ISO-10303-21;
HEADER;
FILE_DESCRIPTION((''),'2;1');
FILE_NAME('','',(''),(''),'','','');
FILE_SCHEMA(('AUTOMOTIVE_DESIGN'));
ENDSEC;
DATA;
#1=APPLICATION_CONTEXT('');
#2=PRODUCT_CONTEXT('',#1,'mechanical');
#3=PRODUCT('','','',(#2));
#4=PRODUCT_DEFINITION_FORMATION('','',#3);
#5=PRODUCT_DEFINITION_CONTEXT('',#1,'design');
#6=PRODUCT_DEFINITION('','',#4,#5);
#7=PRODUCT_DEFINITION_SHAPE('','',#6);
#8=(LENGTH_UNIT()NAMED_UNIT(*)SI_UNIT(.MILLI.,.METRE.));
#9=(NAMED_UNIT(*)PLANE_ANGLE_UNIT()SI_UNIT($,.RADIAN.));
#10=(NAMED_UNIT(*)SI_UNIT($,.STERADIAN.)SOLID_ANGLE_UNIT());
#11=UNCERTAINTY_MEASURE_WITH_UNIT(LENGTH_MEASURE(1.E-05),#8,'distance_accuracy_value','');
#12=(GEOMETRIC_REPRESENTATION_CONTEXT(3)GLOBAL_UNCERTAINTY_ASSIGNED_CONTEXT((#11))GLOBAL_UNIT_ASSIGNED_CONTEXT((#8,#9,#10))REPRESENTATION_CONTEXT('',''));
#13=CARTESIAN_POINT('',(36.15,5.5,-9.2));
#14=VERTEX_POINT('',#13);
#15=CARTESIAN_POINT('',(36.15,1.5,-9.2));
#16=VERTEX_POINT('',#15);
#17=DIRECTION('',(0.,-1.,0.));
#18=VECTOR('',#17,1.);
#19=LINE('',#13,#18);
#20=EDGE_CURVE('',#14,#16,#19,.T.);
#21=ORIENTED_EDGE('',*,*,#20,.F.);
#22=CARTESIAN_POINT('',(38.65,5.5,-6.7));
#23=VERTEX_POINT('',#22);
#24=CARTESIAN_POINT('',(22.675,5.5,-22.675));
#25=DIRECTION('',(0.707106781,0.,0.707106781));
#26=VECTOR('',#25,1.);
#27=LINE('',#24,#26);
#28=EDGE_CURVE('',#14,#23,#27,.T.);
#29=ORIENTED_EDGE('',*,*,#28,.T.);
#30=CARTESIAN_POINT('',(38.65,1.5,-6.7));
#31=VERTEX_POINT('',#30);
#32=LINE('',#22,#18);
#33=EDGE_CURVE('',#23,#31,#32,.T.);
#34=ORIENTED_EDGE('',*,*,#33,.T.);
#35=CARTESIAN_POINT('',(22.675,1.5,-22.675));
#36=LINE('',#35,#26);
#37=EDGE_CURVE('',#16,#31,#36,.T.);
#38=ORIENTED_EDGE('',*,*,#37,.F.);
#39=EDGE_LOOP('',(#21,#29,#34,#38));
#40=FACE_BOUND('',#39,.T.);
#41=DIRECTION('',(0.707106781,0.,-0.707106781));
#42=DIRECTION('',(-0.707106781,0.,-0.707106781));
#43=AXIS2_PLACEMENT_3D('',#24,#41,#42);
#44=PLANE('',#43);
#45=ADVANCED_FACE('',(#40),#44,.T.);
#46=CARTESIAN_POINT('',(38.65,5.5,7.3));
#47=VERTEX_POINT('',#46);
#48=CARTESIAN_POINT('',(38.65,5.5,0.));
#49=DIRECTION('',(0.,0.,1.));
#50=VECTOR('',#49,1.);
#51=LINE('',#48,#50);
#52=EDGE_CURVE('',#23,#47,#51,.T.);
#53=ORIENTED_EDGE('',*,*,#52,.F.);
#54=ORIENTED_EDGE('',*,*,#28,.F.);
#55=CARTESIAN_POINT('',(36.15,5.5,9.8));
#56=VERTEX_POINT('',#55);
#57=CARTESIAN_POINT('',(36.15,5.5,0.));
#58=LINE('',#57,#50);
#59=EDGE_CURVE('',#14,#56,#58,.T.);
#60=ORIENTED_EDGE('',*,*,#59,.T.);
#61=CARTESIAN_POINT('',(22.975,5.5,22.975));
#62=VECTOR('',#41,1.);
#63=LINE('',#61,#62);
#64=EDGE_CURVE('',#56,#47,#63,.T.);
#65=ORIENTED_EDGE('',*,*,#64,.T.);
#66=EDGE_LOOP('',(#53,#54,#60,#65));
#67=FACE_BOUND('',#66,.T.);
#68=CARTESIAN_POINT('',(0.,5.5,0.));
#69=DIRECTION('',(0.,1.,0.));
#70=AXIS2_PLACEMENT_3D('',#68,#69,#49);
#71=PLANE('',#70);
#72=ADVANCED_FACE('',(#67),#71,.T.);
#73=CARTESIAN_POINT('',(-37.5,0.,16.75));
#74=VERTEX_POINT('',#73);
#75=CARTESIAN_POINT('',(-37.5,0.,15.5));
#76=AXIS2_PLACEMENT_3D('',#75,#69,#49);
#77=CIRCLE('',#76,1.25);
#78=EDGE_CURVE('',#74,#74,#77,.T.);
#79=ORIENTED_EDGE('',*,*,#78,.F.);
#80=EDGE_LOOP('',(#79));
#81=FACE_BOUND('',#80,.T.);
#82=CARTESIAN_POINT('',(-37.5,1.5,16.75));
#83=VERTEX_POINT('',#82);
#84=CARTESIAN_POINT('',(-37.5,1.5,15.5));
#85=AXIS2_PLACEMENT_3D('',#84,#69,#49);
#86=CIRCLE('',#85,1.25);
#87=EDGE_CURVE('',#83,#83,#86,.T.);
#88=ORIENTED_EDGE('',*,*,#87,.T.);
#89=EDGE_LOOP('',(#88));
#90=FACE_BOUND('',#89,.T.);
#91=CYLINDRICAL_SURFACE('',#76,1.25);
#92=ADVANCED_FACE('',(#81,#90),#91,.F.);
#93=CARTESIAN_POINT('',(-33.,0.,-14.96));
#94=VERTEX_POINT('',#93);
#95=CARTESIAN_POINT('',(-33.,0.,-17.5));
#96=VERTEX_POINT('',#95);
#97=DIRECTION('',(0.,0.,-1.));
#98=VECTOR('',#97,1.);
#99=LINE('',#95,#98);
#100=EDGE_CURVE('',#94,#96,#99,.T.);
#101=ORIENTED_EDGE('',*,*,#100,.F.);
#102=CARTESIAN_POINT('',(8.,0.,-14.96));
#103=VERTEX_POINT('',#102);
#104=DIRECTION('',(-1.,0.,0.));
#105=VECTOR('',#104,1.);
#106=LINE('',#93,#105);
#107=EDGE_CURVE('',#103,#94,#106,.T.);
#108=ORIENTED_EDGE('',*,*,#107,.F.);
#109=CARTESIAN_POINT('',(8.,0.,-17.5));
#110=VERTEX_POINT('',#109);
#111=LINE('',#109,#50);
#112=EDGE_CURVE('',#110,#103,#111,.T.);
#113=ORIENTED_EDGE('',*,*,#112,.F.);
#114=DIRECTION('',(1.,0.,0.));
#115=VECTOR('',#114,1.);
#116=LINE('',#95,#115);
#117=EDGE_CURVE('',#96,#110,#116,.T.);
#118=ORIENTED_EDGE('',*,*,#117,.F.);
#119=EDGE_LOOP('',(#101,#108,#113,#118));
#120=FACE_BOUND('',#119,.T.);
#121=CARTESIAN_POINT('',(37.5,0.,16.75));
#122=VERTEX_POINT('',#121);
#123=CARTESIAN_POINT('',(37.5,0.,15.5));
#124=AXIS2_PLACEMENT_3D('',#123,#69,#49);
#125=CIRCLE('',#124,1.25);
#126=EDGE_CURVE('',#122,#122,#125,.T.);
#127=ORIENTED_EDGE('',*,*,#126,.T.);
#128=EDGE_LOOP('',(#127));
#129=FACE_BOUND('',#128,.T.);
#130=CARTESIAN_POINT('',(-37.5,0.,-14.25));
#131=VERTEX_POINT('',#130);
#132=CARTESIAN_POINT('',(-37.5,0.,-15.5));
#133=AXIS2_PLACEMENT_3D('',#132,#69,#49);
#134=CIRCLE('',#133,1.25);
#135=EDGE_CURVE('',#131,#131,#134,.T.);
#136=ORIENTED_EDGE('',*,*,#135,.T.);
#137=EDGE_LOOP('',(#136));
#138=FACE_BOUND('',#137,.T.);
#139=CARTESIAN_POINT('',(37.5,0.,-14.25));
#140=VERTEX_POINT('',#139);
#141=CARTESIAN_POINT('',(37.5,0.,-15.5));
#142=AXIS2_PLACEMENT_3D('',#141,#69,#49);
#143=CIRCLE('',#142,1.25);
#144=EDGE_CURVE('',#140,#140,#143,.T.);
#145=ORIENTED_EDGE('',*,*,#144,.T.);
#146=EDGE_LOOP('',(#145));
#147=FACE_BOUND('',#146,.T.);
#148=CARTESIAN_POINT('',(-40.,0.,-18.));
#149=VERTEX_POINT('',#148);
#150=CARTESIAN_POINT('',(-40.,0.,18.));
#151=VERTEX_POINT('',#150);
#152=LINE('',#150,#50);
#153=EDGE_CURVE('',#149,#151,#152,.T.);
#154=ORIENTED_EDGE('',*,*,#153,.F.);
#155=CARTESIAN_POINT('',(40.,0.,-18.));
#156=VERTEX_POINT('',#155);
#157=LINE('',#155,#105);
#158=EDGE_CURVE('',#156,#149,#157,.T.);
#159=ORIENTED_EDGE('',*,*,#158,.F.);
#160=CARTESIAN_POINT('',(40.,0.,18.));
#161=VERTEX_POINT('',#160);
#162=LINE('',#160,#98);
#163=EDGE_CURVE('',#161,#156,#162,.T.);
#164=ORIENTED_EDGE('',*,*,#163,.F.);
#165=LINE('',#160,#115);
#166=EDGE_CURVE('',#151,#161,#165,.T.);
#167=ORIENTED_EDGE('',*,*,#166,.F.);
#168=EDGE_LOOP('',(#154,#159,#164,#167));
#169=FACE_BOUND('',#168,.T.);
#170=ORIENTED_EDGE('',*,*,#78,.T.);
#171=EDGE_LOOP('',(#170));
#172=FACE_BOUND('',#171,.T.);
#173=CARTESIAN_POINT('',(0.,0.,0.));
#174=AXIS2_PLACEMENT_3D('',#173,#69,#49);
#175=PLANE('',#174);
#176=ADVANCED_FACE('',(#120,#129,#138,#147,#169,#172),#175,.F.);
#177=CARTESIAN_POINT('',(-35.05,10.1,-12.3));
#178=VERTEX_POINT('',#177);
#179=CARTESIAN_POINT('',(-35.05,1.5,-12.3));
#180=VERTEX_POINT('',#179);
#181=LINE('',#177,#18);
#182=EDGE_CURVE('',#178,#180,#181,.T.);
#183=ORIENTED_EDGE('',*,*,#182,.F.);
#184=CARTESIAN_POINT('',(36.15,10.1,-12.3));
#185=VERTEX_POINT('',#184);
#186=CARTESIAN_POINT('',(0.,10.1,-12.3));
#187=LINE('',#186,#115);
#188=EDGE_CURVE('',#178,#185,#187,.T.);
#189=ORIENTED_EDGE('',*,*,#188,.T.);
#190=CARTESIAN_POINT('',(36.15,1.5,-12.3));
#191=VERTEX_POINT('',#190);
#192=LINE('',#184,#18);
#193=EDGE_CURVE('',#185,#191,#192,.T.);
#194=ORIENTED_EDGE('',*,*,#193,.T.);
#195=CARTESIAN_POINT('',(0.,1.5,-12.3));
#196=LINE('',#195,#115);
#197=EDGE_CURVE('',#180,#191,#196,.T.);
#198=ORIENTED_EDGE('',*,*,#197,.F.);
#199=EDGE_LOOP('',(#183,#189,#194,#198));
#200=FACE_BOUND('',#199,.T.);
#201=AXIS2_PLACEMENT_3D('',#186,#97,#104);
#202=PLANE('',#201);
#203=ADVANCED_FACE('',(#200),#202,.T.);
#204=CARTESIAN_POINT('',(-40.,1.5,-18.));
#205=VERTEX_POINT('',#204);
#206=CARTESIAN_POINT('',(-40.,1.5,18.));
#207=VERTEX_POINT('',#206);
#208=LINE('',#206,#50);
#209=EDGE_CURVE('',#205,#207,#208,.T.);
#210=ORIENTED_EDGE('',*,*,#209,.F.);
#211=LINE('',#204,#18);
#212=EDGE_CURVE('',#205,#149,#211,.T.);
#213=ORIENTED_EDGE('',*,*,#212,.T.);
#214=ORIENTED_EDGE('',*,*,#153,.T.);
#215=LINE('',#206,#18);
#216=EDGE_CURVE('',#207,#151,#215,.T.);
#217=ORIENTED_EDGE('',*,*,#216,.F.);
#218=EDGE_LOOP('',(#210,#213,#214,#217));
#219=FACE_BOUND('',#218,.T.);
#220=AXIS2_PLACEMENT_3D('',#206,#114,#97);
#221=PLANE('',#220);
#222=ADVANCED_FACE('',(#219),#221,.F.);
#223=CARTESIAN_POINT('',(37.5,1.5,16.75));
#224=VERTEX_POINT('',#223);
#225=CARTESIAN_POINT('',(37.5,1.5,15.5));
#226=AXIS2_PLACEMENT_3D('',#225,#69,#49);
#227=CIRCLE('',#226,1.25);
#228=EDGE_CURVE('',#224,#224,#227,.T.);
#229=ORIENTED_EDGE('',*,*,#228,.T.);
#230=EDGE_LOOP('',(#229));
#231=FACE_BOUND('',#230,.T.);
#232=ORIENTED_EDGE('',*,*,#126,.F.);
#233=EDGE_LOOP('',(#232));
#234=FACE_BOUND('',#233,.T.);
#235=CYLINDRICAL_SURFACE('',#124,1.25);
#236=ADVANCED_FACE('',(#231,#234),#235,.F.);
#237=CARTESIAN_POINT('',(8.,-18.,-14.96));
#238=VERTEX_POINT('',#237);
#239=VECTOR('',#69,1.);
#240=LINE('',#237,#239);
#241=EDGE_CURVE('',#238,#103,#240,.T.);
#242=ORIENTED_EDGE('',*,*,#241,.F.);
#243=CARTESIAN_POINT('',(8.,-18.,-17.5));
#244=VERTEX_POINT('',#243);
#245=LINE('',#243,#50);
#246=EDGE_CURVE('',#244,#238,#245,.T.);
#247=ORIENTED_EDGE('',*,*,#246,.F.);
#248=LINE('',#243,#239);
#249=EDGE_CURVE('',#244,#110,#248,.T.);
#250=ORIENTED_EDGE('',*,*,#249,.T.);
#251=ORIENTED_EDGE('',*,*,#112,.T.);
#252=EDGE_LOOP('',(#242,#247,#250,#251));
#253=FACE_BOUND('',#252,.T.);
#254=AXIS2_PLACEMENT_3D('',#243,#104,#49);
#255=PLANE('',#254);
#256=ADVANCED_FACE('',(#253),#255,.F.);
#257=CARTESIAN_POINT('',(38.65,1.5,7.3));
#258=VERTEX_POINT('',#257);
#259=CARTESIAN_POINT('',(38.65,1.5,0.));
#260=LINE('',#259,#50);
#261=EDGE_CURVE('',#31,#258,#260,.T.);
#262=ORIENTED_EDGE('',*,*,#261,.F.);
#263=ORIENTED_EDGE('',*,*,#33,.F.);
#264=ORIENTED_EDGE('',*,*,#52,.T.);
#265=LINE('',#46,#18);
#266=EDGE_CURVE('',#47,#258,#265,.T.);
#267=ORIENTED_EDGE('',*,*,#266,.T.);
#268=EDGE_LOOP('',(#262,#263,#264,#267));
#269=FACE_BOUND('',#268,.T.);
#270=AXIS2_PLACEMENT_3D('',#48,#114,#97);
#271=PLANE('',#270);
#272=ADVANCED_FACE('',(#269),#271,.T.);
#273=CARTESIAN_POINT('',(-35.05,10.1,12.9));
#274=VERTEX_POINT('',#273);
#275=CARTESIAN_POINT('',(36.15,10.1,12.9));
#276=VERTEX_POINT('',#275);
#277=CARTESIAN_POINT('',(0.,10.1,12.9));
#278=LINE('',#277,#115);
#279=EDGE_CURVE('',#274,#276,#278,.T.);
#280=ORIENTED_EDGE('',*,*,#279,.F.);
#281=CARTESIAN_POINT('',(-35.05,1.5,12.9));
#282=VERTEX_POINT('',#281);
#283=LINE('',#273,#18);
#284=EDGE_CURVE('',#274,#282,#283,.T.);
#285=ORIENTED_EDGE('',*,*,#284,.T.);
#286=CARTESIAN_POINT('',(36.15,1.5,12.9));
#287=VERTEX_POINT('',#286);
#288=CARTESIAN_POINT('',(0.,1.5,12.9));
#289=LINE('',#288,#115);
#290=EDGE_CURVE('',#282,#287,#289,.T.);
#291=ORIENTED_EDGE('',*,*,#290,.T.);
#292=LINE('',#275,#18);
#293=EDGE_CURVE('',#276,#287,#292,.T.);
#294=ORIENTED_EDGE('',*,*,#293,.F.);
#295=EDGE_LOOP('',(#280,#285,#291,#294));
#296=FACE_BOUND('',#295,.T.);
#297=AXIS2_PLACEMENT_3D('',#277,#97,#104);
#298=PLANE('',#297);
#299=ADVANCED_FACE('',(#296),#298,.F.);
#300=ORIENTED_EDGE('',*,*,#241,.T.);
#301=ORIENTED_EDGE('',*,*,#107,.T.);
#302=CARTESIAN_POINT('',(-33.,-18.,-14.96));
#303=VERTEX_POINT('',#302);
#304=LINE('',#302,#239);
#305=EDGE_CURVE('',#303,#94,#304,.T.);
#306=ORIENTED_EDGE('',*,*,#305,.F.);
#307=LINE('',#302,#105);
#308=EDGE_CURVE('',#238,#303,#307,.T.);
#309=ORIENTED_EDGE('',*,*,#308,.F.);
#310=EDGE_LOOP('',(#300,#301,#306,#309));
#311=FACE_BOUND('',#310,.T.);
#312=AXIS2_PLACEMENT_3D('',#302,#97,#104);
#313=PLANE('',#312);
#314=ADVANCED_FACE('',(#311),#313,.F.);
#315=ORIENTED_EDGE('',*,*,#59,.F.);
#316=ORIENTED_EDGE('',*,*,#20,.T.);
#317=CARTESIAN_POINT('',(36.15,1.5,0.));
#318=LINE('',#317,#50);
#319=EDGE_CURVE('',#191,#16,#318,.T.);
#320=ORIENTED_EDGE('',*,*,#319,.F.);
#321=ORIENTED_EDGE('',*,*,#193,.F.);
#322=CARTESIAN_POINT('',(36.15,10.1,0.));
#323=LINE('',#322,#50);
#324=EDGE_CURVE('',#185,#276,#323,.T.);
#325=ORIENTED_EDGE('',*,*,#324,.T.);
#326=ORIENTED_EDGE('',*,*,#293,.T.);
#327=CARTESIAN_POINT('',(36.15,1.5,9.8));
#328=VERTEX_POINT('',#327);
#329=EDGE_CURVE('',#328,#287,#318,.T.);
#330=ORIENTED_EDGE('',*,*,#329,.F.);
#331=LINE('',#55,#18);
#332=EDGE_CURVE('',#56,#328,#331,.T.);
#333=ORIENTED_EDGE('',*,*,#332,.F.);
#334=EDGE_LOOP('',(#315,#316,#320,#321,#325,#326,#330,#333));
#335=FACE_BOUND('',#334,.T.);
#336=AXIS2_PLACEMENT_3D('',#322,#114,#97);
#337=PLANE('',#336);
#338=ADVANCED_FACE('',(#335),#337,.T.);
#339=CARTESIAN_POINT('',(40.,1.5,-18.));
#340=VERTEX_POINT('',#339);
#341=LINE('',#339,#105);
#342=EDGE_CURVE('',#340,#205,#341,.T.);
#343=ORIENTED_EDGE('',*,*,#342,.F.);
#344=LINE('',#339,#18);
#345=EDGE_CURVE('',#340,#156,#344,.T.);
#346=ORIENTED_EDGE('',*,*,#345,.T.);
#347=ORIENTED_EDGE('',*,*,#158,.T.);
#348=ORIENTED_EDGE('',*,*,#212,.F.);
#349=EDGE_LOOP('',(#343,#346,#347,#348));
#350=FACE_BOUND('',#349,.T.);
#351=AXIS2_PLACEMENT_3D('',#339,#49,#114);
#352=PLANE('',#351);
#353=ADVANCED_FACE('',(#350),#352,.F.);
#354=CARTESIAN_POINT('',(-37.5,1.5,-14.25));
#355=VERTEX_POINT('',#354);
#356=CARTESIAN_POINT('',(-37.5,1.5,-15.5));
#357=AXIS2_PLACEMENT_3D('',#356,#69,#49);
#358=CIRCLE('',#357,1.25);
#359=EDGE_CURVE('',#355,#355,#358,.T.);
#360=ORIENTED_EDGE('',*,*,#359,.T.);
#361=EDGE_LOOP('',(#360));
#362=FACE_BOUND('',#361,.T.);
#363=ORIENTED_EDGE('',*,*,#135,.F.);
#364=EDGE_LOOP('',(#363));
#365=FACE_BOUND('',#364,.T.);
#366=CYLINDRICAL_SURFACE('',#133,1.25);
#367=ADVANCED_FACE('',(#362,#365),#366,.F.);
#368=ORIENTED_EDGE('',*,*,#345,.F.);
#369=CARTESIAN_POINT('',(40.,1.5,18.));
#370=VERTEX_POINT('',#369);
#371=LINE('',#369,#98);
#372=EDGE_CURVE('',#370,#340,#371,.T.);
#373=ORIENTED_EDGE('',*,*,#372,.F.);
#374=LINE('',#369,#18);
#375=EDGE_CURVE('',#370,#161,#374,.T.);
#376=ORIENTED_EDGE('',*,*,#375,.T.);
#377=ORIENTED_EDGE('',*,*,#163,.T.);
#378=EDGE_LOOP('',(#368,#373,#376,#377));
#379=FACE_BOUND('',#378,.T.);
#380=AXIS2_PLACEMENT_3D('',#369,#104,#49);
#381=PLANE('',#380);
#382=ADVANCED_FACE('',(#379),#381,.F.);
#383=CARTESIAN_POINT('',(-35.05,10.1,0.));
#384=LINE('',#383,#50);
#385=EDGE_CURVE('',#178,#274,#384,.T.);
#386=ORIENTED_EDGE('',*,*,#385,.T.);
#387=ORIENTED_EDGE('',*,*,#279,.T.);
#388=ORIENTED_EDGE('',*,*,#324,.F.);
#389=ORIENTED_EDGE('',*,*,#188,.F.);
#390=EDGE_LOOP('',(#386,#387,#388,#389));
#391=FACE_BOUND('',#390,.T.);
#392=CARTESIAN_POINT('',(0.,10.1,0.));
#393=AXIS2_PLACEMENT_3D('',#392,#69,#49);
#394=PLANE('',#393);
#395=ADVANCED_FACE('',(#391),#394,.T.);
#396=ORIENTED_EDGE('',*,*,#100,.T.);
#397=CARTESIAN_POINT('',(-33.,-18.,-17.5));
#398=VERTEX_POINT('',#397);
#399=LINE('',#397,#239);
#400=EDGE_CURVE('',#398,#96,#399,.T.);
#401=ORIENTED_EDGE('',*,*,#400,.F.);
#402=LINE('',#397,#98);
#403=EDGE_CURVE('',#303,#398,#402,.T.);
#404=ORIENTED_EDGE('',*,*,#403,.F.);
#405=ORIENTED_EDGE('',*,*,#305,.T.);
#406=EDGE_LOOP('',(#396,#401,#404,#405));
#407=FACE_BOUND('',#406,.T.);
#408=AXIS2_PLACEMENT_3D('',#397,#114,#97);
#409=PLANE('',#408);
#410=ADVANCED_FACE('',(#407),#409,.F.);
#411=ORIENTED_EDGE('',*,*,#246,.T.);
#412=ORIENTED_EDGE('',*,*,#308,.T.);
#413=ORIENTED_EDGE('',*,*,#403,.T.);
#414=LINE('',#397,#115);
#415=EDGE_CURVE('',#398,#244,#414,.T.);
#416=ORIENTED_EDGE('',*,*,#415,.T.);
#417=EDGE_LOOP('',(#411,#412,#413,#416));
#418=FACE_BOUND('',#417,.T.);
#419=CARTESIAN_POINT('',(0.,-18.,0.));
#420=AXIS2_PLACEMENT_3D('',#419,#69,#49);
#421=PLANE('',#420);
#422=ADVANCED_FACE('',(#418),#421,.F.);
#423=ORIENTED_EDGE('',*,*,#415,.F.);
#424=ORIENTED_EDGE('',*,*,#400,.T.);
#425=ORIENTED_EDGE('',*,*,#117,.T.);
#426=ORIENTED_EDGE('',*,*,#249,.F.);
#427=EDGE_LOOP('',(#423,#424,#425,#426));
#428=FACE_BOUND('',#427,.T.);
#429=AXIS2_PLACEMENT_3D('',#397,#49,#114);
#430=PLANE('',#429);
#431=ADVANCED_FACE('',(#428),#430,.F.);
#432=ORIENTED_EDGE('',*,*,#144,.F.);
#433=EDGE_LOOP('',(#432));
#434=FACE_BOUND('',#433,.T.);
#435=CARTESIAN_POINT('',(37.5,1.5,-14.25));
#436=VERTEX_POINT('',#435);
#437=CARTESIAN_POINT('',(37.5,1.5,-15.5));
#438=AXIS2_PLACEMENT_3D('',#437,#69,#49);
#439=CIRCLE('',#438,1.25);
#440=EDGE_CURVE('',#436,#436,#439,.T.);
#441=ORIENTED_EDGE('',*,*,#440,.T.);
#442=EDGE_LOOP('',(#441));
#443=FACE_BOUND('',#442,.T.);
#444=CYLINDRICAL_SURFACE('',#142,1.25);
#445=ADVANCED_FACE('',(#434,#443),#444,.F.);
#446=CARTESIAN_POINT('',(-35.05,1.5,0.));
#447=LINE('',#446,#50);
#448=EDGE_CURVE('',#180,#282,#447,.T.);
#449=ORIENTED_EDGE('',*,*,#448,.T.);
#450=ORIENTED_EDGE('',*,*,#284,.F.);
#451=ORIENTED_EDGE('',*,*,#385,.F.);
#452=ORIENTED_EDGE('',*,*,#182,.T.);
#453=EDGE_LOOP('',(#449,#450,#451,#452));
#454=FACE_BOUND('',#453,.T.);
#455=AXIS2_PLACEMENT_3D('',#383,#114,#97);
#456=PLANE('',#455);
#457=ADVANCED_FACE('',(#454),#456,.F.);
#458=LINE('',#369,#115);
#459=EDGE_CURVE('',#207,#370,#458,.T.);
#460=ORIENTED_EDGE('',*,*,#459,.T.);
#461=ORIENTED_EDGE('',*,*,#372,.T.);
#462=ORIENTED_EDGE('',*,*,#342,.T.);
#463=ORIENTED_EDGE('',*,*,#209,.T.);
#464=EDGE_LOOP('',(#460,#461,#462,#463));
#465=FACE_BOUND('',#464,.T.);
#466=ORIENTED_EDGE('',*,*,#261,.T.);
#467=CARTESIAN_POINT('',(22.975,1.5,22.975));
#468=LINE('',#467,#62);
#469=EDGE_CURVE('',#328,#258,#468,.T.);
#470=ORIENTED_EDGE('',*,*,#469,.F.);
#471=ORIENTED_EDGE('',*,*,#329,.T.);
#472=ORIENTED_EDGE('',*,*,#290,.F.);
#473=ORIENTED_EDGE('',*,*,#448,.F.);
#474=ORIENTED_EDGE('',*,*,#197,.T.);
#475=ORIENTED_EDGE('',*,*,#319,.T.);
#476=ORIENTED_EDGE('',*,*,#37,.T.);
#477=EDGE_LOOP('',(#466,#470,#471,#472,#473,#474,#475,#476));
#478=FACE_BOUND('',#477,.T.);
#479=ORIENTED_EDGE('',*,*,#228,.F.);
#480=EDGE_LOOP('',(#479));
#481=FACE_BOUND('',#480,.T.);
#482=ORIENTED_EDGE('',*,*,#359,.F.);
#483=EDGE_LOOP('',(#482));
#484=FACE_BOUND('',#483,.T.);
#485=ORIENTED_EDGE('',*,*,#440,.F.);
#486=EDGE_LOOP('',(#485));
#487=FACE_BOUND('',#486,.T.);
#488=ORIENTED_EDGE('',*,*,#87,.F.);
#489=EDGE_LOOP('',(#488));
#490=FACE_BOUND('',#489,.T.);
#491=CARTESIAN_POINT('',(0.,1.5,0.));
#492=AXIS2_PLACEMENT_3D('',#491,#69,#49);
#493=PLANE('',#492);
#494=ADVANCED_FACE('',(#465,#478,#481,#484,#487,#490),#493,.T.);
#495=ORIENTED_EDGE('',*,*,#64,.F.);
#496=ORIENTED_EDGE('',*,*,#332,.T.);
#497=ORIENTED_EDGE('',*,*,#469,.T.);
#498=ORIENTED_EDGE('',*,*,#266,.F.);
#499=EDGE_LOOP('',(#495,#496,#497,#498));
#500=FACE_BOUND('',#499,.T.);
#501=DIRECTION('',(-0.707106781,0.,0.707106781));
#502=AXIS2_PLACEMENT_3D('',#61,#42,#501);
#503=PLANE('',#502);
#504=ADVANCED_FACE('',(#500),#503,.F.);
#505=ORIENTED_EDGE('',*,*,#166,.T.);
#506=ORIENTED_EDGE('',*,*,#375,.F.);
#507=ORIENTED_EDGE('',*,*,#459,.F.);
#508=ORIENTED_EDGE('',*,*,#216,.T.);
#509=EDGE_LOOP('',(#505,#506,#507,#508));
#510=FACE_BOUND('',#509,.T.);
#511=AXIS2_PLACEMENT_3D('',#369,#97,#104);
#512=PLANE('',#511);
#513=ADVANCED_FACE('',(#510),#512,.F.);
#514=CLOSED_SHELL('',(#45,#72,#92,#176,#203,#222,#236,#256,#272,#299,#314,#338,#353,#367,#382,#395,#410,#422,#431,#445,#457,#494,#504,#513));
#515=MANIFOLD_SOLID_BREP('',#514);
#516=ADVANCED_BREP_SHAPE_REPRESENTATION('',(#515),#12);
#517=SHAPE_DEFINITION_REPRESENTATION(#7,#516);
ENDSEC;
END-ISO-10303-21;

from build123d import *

# Parameters (mm, degrees)
SCHIZZO1_W                   = 80
SCHIZZO1_H                   = 36
ESTRUSIONE_ESTRUSIONE1_DEPTH = 1.5
SCHIZZO2_R                   = 1.25
TAGLIO_ESTRUSIONE1_DEPTH     = 1.5
SCHIZZO3_W                   = 71.2
SCHIZZO3_H                   = 25.2
ESTRUSIONE_ESTRUSIONE2_DEPTH = 8.6
ESTRUSIONE_ESTRUSIONE3_DEPTH = 4
SCHIZZO4_W                   = 41
SCHIZZO4_H                   = 2.54
ESTRUSIONE_ESTRUSIONE4_DEPTH = 18


with BuildPart() as part:
    # Schizzo1 → Estrusione-Estrusione1 (new body)
    with BuildSketch(Plane(origin=(0, 0, 0), x_dir=(1, 0, 0), z_dir=(0, 1, 0))):
        Rectangle(SCHIZZO1_W, SCHIZZO1_H)
    extrude(amount=ESTRUSIONE_ESTRUSIONE1_DEPTH)

    # Schizzo2 → Taglio-Estrusione1 (cut)
    with BuildSketch(Plane(origin=(0, 1.5, 0), x_dir=(1, 0, 0), z_dir=(0, 1, 0))):
        with Locations((-37.5, 15.5)):
            Circle(SCHIZZO2_R)
        with Locations((37.5, 15.5)):
            Circle(SCHIZZO2_R)
        with Locations((-37.5, -15.5)):
            Circle(SCHIZZO2_R)
        with Locations((37.5, -15.5)):
            Circle(SCHIZZO2_R)
    extrude(amount=-TAGLIO_ESTRUSIONE1_DEPTH, mode=Mode.SUBTRACT)

    # Schizzo3 → Estrusione-Estrusione2 (add)
    with BuildSketch(Plane(origin=(0, 1.5, 0), x_dir=(1, 0, 0), z_dir=(0, 1, 0))):
        with Locations((0.55, -0.3)):
            Rectangle(SCHIZZO3_W, SCHIZZO3_H)
    extrude(amount=ESTRUSIONE_ESTRUSIONE2_DEPTH)

    # Schizzo3<3> → Estrusione-Estrusione3 (add)
    with BuildSketch(Plane(origin=(0, 1.5, 0), x_dir=(1, 0, 0), z_dir=(0, 1, 0))):
        Polygon((38.65, 6.7), (36.15, 9.2), (36.15, -9.8), (38.65, -7.3), align=None)
    extrude(amount=ESTRUSIONE_ESTRUSIONE3_DEPTH)

    # Schizzo4 → Estrusione-Estrusione4 (add)
    with BuildSketch(Plane.XZ):
        with Locations((-12.5, -16.23)):
            Rectangle(SCHIZZO4_W, SCHIZZO4_H)
    extrude(amount=ESTRUSIONE_ESTRUSIONE4_DEPTH)


solid = part.part
